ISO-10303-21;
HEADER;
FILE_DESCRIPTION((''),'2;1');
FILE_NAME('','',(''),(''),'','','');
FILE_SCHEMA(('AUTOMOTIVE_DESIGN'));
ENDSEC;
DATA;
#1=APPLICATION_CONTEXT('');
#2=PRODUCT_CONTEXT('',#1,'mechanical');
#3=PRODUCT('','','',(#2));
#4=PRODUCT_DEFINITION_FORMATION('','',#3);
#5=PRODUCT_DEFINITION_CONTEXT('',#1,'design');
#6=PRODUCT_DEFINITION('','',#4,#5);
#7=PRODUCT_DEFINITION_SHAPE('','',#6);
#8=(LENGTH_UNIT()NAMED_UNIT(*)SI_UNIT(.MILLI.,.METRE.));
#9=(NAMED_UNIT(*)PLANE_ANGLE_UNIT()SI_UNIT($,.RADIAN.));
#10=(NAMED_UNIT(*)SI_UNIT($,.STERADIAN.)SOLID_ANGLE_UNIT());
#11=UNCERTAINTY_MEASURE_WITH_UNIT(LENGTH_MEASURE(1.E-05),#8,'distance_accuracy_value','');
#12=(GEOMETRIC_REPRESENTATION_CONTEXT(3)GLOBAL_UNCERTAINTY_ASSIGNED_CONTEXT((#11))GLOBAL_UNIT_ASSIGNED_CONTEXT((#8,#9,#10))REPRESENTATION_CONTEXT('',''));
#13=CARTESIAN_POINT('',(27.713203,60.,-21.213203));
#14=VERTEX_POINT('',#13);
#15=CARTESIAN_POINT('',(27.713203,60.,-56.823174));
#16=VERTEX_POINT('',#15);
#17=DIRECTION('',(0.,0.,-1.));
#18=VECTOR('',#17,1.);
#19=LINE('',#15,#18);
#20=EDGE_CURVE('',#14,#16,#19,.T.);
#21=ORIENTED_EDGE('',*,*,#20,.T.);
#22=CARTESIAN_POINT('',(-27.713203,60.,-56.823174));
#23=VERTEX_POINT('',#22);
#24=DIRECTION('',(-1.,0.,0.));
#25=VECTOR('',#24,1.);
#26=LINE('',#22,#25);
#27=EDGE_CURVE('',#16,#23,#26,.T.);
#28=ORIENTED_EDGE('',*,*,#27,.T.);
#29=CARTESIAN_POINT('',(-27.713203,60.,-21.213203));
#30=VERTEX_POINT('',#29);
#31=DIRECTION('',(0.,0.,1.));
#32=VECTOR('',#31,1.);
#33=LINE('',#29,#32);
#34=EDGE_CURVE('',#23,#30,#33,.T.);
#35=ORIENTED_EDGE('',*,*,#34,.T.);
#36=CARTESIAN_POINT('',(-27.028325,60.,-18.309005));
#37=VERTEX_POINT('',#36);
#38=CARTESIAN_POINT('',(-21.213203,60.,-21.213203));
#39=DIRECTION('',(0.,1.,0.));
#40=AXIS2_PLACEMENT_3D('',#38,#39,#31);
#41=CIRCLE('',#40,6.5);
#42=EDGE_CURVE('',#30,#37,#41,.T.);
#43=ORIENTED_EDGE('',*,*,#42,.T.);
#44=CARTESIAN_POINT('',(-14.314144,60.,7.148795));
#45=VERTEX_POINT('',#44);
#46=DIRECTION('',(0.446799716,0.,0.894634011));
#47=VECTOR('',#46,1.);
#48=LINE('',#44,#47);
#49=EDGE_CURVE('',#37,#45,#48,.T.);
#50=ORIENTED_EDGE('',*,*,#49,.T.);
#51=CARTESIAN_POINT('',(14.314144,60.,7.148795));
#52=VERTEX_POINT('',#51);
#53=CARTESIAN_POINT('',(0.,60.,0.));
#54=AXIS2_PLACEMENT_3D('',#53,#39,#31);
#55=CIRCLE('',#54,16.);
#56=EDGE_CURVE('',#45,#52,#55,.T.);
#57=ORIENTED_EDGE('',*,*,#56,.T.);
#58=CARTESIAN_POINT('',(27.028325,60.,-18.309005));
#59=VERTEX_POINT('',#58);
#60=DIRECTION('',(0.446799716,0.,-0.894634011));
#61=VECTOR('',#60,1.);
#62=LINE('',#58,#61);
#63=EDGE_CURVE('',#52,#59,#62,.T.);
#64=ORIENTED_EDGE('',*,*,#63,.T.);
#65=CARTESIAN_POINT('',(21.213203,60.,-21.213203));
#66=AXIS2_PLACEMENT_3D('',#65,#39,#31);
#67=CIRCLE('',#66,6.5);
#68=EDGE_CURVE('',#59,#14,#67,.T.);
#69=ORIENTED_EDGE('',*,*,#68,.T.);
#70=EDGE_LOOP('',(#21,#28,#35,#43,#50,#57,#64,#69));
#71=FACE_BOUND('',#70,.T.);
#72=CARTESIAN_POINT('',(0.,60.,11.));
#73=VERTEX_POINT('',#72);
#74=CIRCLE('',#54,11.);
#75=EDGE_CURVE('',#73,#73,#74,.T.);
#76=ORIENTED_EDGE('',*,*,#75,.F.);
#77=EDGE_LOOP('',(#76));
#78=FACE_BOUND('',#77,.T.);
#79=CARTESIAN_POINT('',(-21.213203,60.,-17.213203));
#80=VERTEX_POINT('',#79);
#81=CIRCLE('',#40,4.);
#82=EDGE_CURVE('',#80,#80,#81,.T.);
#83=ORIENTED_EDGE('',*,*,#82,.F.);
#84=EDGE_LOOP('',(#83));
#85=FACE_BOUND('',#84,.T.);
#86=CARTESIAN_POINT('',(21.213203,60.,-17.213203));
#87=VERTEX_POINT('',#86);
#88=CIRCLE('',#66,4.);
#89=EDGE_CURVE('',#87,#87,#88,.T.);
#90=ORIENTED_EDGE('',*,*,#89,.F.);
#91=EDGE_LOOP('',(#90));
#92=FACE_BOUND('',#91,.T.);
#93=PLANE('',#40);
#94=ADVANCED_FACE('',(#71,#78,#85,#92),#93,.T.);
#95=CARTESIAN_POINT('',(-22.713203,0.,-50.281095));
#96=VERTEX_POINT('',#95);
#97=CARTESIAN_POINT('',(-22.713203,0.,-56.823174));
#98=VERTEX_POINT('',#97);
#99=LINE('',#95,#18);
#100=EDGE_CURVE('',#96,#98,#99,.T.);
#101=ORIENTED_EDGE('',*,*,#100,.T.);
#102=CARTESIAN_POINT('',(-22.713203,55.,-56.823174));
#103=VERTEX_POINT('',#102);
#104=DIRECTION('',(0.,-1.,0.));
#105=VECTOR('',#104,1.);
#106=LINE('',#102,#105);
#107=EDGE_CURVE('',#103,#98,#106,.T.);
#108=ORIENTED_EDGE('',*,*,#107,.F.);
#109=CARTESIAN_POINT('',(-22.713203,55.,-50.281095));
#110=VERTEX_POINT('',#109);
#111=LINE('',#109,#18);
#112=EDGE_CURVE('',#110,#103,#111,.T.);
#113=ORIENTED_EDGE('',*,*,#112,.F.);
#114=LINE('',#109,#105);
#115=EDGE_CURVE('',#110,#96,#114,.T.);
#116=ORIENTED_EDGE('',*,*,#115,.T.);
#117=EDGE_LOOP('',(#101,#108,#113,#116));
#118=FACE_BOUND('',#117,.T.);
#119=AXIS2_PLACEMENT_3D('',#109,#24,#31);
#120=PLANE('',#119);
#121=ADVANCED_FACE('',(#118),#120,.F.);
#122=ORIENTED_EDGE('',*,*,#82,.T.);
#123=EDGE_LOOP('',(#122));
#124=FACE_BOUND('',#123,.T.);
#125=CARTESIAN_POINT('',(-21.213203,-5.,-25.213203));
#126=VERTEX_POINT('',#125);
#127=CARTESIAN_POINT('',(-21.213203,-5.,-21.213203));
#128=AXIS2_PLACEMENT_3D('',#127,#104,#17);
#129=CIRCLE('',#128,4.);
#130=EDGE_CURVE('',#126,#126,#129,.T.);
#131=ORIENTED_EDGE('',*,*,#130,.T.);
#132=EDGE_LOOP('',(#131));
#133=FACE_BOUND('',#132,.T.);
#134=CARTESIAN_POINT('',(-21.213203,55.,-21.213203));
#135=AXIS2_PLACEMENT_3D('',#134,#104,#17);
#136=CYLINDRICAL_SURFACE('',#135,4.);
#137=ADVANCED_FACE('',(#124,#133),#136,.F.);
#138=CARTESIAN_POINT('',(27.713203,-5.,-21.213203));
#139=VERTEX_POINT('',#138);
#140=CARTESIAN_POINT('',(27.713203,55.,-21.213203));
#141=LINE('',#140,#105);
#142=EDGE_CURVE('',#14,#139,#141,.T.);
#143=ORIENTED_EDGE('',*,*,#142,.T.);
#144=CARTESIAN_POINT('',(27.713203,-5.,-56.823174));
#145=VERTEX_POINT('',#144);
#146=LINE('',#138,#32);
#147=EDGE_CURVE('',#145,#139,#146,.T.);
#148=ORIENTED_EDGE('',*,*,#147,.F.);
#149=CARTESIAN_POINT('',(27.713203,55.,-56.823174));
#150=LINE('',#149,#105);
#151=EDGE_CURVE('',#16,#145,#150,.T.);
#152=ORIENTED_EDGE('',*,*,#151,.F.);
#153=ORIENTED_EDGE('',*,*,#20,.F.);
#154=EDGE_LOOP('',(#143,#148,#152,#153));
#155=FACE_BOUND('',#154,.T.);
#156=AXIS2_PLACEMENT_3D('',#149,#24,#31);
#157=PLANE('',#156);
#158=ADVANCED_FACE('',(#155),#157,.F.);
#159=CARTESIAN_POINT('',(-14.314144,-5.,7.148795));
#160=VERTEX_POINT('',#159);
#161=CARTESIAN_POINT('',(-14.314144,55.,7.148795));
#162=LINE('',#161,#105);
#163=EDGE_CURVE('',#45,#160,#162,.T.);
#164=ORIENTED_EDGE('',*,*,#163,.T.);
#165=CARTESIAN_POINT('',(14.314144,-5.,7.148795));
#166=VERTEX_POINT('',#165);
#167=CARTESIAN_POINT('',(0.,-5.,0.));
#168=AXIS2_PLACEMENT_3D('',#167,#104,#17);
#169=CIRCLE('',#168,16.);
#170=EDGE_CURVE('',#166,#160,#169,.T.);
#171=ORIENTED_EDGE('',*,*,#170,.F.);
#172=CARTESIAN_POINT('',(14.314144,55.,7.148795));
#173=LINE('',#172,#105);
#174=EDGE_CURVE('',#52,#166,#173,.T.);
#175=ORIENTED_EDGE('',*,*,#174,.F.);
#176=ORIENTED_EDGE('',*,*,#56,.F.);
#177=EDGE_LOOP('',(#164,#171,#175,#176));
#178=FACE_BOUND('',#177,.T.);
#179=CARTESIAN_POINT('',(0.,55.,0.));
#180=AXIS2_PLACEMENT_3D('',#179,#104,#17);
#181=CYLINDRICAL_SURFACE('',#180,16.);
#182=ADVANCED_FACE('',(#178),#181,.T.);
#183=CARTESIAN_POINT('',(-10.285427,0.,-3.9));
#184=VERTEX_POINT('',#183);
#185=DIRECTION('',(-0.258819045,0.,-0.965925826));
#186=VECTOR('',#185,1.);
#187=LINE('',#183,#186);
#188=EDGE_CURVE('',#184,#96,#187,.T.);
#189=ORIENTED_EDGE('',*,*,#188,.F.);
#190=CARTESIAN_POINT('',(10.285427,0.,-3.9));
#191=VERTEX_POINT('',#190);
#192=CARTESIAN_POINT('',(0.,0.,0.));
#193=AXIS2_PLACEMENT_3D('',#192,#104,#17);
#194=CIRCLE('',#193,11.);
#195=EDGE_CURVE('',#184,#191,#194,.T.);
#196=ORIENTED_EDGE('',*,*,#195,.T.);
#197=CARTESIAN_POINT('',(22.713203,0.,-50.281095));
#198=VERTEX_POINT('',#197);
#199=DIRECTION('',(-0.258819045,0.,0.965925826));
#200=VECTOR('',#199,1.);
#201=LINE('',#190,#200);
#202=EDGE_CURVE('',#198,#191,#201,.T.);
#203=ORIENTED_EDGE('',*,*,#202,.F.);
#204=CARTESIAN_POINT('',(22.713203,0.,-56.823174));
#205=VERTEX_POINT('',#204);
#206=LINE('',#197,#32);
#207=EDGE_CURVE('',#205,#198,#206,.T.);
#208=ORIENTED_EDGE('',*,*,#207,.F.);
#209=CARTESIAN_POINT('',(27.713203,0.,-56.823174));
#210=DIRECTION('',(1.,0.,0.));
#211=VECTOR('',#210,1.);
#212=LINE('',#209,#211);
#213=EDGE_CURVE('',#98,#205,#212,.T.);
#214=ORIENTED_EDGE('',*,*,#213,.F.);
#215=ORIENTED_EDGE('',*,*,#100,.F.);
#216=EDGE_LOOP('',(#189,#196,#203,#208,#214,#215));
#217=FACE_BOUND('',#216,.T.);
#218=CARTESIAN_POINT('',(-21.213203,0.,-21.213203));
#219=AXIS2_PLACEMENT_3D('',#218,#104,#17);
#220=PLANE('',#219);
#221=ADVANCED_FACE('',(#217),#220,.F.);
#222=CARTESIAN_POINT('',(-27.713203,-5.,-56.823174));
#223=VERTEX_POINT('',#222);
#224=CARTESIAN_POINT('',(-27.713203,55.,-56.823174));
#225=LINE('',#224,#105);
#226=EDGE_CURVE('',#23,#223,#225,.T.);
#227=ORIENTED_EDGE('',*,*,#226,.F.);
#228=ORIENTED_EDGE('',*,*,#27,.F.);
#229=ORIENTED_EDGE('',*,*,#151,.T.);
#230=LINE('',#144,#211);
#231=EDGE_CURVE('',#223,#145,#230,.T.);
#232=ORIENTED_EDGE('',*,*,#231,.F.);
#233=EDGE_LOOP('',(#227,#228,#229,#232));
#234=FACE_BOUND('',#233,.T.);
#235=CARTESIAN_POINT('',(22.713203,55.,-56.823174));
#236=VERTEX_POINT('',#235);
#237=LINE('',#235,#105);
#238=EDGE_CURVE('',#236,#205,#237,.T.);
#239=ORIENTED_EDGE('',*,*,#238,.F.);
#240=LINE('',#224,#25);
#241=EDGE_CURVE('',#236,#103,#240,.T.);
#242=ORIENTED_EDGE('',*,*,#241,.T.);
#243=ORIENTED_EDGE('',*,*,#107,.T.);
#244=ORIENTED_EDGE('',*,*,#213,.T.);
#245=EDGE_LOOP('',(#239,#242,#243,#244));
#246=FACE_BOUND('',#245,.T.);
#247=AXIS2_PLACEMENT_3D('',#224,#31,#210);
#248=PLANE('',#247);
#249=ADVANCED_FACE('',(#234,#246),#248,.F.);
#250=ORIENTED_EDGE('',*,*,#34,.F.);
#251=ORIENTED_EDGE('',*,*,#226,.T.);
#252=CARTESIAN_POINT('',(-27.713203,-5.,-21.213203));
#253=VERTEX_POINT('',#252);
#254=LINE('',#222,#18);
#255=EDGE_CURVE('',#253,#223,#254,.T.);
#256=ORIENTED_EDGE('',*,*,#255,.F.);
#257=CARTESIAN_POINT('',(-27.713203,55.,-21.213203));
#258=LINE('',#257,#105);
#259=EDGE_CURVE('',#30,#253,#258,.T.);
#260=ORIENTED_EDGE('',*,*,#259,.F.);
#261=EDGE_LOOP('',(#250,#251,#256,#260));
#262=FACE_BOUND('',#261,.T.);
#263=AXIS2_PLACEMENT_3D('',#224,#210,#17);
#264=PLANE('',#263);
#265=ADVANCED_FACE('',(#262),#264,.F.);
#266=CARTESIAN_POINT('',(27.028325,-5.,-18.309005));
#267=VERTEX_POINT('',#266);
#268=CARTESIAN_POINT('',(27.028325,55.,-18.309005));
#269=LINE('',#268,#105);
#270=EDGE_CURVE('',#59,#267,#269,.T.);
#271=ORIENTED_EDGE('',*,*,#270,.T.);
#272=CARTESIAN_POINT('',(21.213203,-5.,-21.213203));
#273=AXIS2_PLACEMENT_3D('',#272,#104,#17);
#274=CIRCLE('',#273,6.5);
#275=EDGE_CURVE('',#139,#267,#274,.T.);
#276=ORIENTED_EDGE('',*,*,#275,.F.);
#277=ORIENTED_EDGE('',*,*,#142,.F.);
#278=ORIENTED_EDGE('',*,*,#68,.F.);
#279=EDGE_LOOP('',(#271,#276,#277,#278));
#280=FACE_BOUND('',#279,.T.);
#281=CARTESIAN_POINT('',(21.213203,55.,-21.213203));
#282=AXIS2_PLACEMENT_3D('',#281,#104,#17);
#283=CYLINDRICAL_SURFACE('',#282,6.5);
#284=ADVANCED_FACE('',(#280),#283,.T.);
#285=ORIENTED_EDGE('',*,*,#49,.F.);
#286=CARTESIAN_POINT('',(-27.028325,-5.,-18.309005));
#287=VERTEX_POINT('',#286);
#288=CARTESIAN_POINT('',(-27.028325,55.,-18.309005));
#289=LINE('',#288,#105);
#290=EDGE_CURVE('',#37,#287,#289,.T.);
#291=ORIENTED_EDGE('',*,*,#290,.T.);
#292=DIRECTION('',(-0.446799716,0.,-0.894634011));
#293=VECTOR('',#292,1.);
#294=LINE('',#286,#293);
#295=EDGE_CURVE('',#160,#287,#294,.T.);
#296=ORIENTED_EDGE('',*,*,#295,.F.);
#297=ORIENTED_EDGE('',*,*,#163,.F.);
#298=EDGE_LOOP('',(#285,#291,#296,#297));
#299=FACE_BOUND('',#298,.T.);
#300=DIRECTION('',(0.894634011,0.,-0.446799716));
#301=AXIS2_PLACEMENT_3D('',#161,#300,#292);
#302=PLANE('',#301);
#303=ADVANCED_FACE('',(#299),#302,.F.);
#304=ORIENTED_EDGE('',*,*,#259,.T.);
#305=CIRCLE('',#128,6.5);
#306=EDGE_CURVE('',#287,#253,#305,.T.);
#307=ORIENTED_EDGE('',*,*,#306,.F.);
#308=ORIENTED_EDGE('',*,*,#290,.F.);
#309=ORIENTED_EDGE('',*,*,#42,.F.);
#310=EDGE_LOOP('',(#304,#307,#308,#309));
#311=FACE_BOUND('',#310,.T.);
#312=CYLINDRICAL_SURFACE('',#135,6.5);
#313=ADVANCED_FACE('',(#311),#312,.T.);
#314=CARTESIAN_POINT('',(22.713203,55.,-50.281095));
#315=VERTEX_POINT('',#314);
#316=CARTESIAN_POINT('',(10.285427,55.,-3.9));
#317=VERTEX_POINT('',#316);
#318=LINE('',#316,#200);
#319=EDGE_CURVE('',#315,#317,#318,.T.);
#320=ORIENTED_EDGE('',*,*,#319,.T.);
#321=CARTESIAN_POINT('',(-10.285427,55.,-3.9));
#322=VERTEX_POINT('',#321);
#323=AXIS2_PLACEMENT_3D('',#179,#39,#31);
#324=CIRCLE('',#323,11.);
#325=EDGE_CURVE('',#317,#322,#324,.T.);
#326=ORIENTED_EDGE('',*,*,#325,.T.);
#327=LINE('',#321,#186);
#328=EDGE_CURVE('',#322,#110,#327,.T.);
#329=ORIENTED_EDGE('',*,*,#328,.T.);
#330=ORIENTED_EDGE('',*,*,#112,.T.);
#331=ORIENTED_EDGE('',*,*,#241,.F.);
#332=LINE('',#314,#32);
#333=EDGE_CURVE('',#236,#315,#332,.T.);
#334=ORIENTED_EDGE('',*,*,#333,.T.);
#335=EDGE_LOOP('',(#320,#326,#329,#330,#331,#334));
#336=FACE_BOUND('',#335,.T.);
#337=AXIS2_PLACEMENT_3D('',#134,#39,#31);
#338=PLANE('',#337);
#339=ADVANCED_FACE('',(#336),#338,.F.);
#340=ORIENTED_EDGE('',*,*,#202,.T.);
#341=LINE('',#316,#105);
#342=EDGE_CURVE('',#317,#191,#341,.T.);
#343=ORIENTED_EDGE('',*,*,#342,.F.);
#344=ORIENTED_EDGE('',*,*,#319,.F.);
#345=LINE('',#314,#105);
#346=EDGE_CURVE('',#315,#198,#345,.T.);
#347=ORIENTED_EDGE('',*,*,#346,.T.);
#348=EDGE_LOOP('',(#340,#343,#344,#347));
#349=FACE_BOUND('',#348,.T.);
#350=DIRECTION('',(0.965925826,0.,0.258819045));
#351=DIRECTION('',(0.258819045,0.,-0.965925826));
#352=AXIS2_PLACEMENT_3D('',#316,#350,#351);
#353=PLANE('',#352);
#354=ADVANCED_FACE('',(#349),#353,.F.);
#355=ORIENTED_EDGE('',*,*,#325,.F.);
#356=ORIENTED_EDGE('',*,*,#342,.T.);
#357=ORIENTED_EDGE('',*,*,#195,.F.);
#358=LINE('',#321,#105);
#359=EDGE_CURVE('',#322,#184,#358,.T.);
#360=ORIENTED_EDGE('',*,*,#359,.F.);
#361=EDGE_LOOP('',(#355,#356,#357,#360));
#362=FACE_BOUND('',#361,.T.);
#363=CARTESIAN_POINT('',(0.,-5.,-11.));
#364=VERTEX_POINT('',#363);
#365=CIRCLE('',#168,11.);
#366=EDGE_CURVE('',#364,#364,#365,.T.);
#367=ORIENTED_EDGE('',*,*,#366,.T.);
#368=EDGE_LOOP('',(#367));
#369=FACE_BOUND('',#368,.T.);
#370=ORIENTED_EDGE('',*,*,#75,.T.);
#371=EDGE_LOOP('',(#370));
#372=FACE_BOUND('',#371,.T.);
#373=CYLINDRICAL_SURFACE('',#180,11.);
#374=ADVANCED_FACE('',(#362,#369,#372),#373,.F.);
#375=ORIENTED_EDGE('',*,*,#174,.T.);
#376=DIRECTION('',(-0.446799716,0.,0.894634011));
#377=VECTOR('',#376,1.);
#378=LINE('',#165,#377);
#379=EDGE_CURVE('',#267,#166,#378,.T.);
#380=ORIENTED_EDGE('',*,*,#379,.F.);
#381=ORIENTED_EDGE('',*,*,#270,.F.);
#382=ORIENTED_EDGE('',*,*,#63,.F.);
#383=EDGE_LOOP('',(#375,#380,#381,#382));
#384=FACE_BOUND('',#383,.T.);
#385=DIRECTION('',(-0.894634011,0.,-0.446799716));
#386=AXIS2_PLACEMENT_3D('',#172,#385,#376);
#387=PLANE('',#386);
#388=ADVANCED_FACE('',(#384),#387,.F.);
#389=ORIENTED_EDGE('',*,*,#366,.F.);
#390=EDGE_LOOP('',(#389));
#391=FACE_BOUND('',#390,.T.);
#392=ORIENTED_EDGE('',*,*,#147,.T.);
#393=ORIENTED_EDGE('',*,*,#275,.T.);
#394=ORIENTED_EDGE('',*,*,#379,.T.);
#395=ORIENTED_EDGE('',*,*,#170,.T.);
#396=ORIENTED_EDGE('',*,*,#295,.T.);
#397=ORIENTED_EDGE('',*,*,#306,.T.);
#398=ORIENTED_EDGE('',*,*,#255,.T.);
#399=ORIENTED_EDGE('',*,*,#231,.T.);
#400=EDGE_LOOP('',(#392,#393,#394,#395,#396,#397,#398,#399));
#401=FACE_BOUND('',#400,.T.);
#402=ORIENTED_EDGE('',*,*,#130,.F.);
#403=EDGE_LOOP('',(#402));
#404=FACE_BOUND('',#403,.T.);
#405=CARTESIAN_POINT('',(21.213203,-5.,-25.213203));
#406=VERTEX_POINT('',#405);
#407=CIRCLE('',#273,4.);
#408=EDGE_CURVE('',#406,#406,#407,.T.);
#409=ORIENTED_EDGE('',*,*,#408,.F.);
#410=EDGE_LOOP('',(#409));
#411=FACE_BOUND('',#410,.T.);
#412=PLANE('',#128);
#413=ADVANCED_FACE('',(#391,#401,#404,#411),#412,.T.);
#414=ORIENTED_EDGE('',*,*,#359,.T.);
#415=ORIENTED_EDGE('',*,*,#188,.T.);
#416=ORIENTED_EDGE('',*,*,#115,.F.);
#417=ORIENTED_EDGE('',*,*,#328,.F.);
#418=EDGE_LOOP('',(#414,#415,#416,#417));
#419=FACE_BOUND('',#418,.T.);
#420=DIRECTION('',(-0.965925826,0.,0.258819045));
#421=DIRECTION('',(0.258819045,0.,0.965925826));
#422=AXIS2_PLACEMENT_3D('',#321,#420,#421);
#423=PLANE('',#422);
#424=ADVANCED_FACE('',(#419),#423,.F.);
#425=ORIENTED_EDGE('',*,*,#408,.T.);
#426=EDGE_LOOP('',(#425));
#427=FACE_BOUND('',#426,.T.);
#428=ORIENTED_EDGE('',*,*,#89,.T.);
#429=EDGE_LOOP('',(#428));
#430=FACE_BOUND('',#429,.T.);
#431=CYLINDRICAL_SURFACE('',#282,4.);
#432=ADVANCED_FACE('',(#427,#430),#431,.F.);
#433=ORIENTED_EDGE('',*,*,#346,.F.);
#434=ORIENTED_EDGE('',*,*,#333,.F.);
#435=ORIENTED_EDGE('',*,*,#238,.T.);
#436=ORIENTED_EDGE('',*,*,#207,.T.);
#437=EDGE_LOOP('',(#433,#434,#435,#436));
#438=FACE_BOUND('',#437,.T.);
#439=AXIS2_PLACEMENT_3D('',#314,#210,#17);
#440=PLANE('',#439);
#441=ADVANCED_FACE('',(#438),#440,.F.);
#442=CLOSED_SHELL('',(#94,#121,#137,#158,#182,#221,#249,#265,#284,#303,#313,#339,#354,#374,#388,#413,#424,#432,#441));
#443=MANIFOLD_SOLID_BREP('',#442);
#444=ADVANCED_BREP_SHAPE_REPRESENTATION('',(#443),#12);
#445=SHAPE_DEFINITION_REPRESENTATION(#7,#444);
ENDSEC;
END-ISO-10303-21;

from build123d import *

# Parameters (mm, degrees)
SKETCH1_R           = 4
BOSS_EXTRUDE3_DEPTH = 55
SKETCH4_R           = 4
SKETCH4_R_2         = 11
BOSS_EXTRUDE4_DEPTH = 5
SKETCH5_R           = 11
SKETCH5_R_2         = 4
BOSS_EXTRUDE5_DEPTH = 5


with BuildPart() as part:
    # Sketch1 → Boss-Extrude3 (new body)
    with BuildSketch(Plane(origin=(0, 0, 0), x_dir=(1, 0, 0), z_dir=(0, 1, 0))):
        with BuildLine():
            Line((14.314144176, -7.14879546), (27.028324507, 18.30900528))
            ThreePointArc((27.028324507, 18.30900528), (27.539667178, 19.721272969), (27.713203436, 21.213203436))
            Line((27.713203436, 21.213203436), (27.713203436, 56.823174316))
            Line((27.713203436, 56.823174316), (22.713203436, 56.823174316))
            Line((22.713203436, 56.823174316), (22.713203436, 50.281094638))
            Line((22.713203436, 50.281094638), (10.285426583, 3.9))
            ThreePointArc((10.285426583, 3.9), (0, -11), (-10.285426583, 3.9))
            Line((-10.285426583, 3.9), (-22.713203436, 50.281094638))
            Line((-22.713203436, 50.281094638), (-22.713203436, 56.823174316))
            Line((-22.713203436, 56.823174316), (-27.713203436, 56.823174316))
            Line((-27.713203436, 56.823174316), (-27.713203436, 21.213203436))
            ThreePointArc((-27.713203436, 21.213203436), (-27.539667178, 19.721272969), (-27.028324507, 18.30900528))
            Line((-27.028324507, 18.30900528), (-14.314144176, -7.14879546))
            ThreePointArc((-14.314144176, -7.14879546), (0, -16), (14.314144176, -7.14879546))
        make_face()
        with Locations((-21.213203436, 21.213203436)):
            Circle(SKETCH1_R, mode=Mode.SUBTRACT)
        with Locations((21.213203436, 21.213203436)):
            Circle(SKETCH1_R, mode=Mode.SUBTRACT)
    extrude(amount=BOSS_EXTRUDE3_DEPTH)

    # Sketch4 → Boss-Extrude4 (add)
    with BuildSketch(Plane(origin=(0, 55, 0), x_dir=(1, 0, 0), z_dir=(0, 1, 0))):
        with BuildLine():
            Line((-27.713203436, 21.213203436), (-27.713203436, 56.823174316))
            Line((-27.713203436, 56.823174316), (27.713203436, 56.823174316))
            Line((27.713203436, 56.823174316), (27.713203436, 21.213203436))
            ThreePointArc((27.713203436, 21.213203436), (27.539667178, 19.721272969), (27.028324507, 18.30900528))
            Line((27.028324507, 18.30900528), (14.314144176, -7.14879546))
            ThreePointArc((14.314144176, -7.14879546), (0, -16), (-14.314144176, -7.14879546))
            Line((-14.314144176, -7.14879546), (-27.028324507, 18.30900528))
            ThreePointArc((-27.028324507, 18.30900528), (-27.539667178, 19.721272969), (-27.713203436, 21.213203436))
        make_face()
        with Locations((-21.213203436, 21.213203436)):
            Circle(SKETCH4_R, mode=Mode.SUBTRACT)
        with Locations((21.213203436, 21.213203436)):
            Circle(SKETCH4_R, mode=Mode.SUBTRACT)
        Circle(SKETCH4_R_2, mode=Mode.SUBTRACT)
    extrude(amount=BOSS_EXTRUDE4_DEPTH)

    # Sketch5 → Boss-Extrude5 (add)
    with BuildSketch(Plane.XZ):
        with BuildLine():
            Line((-27.028324507, -18.30900528), (-14.314144176, 7.14879546))
            ThreePointArc((-14.314144176, 7.14879546), (0, 16), (14.314144176, 7.14879546))
            Line((14.314144176, 7.14879546), (27.028324507, -18.30900528))
            ThreePointArc((27.028324507, -18.30900528), (27.539667178, -19.721272969), (27.713203436, -21.213203436))
            Line((27.713203436, -21.213203436), (27.713203436, -56.823174316))
            Line((27.713203436, -56.823174316), (-27.713203436, -56.823174316))
            Line((-27.713203436, -56.823174316), (-27.713203436, -21.213203436))
            ThreePointArc((-27.713203436, -21.213203436), (-27.539667178, -19.721272969), (-27.028324507, -18.30900528))
        make_face()
        Circle(SKETCH5_R, mode=Mode.SUBTRACT)
        with Locations((21.213203436, -21.213203436)):
            Circle(SKETCH5_R_2, mode=Mode.SUBTRACT)
        with Locations((-21.213203436, -21.213203436)):
            Circle(SKETCH5_R_2, mode=Mode.SUBTRACT)
    extrude(amount=BOSS_EXTRUDE5_DEPTH)


solid = part.part
